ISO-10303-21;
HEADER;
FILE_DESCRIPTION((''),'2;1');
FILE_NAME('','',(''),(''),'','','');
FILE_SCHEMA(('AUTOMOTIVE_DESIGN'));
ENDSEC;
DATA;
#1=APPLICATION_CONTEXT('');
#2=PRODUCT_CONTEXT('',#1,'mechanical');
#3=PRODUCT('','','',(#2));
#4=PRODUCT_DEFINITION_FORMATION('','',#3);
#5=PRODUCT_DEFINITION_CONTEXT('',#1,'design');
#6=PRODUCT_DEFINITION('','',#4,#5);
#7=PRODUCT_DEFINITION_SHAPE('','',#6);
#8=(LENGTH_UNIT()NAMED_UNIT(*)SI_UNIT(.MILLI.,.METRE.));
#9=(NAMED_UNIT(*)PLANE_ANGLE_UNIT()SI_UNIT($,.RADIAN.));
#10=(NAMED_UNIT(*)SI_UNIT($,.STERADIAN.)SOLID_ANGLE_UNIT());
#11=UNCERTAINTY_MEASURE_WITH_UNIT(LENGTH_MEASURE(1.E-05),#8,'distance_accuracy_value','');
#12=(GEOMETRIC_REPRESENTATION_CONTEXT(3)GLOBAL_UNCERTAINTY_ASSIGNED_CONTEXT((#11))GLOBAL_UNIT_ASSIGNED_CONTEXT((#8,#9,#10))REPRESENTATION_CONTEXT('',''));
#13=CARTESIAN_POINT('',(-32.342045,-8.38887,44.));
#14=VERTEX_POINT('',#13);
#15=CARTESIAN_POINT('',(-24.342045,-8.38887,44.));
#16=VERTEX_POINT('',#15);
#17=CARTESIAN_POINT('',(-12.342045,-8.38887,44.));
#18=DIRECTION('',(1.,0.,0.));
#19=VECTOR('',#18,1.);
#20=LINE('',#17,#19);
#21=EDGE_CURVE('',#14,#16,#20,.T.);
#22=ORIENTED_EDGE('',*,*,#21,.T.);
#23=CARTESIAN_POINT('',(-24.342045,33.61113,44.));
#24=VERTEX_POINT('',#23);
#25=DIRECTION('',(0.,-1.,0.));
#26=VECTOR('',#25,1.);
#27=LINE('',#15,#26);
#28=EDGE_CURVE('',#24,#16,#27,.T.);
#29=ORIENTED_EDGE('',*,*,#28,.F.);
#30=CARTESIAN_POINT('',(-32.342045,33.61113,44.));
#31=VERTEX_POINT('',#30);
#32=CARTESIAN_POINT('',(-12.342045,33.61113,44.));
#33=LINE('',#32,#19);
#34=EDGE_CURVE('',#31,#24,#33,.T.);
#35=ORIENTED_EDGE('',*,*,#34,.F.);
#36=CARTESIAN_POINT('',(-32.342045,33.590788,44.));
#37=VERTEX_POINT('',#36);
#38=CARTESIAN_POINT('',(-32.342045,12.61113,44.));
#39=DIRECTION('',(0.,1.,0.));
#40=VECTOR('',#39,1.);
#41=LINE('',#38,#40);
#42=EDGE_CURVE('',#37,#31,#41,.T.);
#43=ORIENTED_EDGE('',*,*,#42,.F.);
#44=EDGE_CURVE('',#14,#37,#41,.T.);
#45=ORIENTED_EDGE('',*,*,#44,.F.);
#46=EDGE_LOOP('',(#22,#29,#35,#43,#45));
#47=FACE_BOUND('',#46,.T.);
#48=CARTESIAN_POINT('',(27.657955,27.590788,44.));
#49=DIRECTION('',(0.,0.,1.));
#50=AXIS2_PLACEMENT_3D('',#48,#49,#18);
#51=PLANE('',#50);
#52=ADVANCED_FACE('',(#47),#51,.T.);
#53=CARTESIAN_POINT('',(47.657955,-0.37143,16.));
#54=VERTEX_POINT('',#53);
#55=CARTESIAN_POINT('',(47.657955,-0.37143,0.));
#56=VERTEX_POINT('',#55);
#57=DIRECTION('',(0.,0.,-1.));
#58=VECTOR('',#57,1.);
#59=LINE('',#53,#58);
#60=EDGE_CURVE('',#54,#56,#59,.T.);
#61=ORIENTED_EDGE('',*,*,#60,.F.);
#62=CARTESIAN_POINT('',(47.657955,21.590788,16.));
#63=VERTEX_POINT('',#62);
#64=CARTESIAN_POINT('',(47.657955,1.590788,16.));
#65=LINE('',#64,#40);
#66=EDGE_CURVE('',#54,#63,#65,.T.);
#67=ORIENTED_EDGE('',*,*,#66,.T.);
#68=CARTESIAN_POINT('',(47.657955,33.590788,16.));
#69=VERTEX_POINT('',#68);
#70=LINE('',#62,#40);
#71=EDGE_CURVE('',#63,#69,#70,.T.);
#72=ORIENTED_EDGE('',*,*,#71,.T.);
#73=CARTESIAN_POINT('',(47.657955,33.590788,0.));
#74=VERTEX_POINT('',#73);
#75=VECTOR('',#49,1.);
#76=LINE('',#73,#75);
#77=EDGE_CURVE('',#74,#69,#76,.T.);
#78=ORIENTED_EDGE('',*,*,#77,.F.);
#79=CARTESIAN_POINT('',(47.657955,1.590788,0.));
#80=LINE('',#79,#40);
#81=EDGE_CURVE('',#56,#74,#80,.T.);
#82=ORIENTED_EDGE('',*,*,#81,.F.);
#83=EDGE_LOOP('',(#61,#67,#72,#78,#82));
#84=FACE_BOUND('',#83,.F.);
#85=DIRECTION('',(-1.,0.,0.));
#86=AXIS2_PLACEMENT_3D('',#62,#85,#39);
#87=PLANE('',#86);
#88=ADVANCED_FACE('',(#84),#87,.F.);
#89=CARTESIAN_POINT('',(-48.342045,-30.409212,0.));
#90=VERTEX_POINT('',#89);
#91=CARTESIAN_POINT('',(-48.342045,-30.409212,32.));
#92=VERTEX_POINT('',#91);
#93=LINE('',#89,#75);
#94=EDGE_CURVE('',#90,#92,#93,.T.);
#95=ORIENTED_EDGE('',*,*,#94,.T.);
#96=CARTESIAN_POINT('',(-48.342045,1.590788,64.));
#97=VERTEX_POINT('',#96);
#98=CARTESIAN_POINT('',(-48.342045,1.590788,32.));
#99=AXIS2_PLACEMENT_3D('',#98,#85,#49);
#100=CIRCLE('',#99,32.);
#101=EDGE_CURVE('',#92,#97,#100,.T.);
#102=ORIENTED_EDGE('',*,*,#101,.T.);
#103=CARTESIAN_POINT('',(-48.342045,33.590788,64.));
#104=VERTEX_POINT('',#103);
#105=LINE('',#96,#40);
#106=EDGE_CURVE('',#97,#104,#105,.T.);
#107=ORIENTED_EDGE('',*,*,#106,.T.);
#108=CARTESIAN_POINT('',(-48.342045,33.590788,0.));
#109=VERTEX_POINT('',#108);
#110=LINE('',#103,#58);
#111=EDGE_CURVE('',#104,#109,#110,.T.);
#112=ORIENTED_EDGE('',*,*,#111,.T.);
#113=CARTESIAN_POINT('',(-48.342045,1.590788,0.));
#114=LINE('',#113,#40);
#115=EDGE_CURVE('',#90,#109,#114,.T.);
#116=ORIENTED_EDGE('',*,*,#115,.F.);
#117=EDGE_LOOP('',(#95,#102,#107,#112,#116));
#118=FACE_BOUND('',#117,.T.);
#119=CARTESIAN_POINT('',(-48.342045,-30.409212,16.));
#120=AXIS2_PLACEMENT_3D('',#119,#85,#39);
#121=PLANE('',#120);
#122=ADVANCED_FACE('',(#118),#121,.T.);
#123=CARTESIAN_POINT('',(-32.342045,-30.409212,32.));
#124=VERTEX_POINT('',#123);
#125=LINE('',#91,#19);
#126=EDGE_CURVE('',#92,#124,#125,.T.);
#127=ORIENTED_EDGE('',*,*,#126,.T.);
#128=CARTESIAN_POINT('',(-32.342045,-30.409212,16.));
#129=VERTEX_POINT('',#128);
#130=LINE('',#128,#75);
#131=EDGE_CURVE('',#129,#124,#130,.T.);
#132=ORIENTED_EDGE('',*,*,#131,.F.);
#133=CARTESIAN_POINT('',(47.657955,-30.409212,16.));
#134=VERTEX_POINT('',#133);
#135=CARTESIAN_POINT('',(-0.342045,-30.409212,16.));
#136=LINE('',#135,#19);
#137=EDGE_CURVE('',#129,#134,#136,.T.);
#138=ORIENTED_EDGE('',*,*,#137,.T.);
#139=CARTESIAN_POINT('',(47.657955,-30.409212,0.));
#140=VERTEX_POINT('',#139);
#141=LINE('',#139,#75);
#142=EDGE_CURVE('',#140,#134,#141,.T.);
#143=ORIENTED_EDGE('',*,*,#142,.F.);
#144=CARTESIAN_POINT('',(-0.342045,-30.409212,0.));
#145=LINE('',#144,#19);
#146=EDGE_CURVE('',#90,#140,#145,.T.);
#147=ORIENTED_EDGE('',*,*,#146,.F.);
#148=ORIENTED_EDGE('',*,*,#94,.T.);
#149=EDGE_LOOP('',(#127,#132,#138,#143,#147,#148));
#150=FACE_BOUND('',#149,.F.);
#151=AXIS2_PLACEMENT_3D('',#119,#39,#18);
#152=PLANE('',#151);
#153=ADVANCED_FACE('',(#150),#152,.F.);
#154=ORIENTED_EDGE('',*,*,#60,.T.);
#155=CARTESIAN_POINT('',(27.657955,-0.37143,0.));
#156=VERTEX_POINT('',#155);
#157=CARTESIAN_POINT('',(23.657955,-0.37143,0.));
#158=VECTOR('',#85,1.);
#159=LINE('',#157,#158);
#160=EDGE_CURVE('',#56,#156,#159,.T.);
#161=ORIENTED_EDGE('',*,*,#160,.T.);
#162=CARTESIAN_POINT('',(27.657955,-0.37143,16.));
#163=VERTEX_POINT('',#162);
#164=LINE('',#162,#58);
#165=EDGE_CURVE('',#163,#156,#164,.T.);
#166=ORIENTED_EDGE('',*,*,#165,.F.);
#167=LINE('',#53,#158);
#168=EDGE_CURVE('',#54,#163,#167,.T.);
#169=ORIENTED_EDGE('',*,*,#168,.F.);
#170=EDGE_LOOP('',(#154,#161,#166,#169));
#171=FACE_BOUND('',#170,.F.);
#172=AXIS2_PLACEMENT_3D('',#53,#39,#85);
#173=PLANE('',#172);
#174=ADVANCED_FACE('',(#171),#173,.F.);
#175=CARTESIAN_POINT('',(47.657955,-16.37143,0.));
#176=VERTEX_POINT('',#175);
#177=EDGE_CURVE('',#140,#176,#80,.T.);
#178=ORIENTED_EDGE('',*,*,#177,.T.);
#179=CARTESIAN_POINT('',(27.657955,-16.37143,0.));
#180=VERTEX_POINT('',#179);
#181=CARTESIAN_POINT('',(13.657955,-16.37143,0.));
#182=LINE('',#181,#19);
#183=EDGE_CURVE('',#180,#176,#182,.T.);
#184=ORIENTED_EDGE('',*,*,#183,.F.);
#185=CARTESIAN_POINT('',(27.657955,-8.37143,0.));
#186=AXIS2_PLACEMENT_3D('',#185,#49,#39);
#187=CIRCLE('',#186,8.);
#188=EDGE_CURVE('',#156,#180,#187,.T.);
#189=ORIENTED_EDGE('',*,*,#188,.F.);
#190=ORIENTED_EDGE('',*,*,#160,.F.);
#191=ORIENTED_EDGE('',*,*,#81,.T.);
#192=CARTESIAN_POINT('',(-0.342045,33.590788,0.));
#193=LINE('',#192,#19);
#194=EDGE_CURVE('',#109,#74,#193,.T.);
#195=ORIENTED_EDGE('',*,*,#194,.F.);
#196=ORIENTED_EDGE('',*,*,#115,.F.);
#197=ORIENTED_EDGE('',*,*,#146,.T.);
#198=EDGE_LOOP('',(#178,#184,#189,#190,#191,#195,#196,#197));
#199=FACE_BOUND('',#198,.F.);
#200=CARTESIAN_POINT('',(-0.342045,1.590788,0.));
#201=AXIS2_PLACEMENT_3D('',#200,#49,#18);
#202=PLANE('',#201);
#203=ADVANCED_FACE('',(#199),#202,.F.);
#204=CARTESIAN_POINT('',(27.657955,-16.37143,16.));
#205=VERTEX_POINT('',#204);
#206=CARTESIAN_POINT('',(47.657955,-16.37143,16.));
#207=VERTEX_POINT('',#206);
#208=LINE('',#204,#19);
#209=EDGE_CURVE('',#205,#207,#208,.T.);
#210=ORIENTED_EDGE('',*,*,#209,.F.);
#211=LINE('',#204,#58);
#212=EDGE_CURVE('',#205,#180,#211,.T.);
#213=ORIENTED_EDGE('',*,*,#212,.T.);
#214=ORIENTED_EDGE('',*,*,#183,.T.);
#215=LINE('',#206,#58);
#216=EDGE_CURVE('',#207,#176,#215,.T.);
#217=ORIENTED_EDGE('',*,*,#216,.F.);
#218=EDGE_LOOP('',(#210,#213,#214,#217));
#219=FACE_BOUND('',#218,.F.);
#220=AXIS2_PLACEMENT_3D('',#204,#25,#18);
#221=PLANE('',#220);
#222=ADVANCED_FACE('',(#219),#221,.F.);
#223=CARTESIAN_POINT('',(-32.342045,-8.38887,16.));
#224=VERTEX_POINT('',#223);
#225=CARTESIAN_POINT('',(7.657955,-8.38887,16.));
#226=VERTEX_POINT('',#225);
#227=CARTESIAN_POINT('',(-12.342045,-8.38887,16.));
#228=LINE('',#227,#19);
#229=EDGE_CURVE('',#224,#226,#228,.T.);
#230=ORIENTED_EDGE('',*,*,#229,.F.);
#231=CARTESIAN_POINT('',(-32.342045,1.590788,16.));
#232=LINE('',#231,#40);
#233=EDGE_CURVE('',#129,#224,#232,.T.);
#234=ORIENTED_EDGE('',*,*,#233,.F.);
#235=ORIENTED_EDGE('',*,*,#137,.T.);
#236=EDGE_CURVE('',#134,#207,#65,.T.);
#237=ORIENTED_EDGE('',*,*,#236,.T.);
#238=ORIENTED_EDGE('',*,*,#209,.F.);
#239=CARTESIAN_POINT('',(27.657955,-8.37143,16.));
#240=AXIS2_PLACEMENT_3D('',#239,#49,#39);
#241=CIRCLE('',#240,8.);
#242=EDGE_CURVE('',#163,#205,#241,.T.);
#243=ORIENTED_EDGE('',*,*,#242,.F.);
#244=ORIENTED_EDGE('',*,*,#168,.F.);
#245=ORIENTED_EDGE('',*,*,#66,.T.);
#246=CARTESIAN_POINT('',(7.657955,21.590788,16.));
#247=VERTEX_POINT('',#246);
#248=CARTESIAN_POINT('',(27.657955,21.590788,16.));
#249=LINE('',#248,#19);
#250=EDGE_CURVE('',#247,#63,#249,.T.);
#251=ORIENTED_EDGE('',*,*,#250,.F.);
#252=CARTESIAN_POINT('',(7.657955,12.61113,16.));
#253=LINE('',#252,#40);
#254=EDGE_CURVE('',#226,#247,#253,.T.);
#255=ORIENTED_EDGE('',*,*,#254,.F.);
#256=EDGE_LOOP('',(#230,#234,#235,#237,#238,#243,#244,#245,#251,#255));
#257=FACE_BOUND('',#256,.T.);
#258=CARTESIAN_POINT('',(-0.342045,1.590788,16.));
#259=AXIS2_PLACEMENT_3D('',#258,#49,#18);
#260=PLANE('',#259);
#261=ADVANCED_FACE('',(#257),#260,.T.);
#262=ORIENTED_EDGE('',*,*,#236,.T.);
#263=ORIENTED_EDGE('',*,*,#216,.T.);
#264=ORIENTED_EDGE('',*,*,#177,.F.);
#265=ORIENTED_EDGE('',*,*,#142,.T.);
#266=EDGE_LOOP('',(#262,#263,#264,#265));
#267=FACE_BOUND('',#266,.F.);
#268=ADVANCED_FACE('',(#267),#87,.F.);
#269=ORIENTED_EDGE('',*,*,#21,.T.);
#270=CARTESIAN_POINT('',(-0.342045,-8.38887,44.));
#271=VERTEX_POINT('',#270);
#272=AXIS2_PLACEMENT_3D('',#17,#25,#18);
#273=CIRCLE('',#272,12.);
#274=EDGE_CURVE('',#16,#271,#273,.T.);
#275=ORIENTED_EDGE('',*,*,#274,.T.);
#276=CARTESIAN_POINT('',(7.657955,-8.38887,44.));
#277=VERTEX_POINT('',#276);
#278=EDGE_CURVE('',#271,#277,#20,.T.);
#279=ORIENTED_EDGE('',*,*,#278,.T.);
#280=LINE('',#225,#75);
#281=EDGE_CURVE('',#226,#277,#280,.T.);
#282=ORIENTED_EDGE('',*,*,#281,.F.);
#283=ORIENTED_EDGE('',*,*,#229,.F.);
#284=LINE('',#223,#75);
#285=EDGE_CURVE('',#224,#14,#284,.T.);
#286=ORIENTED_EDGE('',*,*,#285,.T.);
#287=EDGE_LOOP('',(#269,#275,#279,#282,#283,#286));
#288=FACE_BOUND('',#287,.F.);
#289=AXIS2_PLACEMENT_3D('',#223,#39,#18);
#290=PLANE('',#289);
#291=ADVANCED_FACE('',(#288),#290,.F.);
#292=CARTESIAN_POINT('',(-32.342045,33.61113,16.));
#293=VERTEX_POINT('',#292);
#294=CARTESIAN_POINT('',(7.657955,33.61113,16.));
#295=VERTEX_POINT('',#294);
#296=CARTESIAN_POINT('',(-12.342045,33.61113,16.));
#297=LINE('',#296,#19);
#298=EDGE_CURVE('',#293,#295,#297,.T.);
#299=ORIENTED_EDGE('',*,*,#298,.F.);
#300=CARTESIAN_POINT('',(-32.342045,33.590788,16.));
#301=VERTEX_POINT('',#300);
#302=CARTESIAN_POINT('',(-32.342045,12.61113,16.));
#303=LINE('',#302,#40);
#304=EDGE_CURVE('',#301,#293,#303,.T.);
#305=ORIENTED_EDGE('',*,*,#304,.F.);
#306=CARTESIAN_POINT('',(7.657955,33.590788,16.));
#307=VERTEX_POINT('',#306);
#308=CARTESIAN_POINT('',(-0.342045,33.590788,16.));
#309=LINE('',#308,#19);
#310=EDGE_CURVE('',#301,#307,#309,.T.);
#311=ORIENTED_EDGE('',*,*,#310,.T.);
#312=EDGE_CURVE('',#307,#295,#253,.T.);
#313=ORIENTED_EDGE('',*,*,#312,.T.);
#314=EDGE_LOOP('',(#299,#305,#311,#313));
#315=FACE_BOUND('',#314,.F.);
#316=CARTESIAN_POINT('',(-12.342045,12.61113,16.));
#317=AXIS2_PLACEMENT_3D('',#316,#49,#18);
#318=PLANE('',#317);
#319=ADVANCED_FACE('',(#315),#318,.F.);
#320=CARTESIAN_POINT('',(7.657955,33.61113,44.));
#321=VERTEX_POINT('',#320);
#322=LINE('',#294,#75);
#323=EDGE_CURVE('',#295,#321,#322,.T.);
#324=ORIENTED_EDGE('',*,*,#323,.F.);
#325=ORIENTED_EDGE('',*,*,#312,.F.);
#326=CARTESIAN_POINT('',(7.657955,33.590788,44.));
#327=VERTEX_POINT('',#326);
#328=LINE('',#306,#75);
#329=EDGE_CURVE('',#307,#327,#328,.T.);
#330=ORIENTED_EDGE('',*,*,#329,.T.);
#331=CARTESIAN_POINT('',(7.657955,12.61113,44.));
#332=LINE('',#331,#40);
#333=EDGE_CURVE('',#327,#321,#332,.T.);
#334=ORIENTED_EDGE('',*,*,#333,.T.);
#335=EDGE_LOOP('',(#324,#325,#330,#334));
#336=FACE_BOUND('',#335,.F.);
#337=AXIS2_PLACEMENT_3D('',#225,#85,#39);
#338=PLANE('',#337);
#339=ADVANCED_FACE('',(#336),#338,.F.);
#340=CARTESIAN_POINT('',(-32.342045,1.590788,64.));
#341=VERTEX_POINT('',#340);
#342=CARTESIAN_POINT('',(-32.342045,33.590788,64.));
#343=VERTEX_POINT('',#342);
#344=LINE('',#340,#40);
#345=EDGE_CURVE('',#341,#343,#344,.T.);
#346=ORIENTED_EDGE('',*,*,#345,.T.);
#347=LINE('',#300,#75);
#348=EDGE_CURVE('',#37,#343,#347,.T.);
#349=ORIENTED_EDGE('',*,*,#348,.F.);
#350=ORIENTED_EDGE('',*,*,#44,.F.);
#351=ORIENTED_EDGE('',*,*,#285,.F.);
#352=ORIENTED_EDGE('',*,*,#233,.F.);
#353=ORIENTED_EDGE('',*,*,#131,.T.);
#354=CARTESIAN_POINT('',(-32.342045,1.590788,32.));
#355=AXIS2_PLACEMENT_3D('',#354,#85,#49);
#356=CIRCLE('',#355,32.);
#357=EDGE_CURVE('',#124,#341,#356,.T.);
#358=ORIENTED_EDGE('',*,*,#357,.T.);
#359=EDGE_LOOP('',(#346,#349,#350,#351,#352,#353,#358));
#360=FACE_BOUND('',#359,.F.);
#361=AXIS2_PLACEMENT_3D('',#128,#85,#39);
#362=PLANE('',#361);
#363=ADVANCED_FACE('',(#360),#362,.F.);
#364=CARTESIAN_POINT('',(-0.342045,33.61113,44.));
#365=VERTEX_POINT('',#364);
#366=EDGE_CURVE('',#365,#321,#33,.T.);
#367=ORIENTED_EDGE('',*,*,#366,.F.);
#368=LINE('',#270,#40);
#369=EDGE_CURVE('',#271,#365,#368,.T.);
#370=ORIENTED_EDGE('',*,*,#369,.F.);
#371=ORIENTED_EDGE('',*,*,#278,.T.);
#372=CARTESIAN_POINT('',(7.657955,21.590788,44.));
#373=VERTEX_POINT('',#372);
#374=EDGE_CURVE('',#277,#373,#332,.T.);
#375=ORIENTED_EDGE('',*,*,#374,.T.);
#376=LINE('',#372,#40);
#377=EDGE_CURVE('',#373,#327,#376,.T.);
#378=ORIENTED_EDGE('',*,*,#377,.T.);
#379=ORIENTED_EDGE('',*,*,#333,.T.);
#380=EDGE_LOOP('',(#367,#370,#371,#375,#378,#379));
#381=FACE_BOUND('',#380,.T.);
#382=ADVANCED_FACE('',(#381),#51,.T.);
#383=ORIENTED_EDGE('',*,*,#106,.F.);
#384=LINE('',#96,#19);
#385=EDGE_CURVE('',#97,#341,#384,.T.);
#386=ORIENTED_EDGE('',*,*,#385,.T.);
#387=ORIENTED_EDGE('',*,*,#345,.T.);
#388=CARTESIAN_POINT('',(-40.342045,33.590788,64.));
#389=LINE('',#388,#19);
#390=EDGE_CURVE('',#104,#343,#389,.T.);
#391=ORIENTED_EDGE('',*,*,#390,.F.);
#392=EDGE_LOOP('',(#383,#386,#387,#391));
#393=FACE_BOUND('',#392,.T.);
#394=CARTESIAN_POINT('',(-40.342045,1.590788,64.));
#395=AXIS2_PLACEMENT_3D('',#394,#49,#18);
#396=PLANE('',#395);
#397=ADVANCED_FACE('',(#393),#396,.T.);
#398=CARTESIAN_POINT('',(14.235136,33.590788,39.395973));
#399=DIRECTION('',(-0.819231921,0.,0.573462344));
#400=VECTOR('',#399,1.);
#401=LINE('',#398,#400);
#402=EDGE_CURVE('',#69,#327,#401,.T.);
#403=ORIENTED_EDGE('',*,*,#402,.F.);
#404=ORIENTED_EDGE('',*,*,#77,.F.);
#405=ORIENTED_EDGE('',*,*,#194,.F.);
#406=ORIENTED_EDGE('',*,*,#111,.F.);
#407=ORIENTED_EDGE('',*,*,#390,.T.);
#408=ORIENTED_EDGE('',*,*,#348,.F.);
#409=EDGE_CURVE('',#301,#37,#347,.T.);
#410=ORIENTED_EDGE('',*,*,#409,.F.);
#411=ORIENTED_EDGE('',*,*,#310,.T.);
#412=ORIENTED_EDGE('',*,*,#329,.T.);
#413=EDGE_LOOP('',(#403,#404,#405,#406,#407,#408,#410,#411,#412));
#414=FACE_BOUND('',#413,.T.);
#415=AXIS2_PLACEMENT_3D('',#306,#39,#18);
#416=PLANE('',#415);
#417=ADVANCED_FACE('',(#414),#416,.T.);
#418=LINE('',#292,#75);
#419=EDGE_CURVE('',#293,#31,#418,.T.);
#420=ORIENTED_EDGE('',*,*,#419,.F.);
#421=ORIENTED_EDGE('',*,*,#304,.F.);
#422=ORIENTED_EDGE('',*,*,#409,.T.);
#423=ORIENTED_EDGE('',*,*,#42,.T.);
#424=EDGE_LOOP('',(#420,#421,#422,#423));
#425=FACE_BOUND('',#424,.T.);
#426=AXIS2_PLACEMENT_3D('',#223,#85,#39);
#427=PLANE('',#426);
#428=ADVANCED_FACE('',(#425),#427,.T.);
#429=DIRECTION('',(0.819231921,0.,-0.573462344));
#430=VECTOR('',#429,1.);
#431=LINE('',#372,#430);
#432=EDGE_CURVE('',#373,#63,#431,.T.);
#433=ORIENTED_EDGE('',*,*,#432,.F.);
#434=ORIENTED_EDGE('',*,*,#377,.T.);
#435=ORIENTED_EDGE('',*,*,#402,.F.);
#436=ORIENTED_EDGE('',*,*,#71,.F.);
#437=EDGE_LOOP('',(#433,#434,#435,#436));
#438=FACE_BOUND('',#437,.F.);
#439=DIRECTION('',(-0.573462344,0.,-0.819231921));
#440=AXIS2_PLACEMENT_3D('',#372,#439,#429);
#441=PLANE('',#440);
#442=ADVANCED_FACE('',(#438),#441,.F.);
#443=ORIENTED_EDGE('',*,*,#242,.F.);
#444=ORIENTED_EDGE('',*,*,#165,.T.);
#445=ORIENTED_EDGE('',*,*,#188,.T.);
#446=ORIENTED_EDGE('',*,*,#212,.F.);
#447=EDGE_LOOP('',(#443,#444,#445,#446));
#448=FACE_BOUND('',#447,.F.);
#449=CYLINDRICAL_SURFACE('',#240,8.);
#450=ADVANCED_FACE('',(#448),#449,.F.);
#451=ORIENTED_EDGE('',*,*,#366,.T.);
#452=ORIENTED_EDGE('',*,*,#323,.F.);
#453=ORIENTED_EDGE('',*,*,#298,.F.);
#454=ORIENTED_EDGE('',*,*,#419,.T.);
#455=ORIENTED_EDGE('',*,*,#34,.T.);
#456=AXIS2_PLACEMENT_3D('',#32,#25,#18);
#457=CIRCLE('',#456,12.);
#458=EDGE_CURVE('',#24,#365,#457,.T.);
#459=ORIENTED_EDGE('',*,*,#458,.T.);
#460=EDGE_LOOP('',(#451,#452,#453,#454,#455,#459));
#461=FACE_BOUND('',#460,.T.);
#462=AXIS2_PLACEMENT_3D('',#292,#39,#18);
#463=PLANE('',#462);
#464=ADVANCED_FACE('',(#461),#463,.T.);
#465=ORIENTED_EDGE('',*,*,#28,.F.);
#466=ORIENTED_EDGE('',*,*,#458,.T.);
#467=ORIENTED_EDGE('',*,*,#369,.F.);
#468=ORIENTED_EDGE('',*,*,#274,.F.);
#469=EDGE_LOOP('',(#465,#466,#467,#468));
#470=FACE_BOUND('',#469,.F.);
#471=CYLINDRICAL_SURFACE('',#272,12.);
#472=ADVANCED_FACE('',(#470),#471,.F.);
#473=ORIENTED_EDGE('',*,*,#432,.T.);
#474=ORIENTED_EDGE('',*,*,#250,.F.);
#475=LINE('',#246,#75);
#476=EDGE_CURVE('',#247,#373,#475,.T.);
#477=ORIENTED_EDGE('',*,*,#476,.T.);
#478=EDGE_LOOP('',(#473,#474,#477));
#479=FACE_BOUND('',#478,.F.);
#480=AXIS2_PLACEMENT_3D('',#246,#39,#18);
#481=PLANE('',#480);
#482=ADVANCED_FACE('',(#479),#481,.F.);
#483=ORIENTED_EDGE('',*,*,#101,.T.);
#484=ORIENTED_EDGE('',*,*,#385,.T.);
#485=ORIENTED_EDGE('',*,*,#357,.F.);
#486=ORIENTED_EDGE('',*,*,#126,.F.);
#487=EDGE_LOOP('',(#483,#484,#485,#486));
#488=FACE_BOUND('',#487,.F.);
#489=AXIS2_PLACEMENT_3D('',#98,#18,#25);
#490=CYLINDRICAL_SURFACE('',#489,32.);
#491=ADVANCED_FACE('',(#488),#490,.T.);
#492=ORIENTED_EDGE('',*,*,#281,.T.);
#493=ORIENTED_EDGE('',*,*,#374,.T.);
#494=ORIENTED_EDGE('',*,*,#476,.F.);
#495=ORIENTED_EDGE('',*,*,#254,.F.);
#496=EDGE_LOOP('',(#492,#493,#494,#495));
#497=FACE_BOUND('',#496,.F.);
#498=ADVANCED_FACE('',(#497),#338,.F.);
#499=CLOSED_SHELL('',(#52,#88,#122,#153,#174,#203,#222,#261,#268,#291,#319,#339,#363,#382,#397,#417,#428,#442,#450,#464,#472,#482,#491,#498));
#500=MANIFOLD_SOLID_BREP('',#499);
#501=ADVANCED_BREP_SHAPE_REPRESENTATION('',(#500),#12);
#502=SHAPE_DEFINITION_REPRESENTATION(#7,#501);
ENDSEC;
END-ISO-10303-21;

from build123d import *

# Parameters (mm, degrees)
F0_W      = 96
F0_H      = 64
F1_DEPTH  = 16
F2_W      = 16
F2_H      = 64
F3_DEPTH  = 48
F4_R      = 32
F5_W      = 40
F5_H      = 42
F6_DEPTH  = 28
F7_W      = 40
F7_H      = 12
F8_DEPTH  = 28
F10_DEPTH = 25.4
F11_R     = 12
F12_DEPTH = 63.246
F14_DEPTH = 25.4


with BuildPart() as f1:
    # F0 (on Top) → F1 (new body)
    with BuildSketch(Plane.XY):
        with Locations((-0.3420451991, 1.5907883644)):
            Rectangle(F0_W, F0_H)
    extrude(amount=F1_DEPTH)

    # F2 (on face) → F3 (join)
    with BuildSketch(Plane.XY.offset(16)):
        with Locations((-40.3420451991, 1.5907883644)):
            Rectangle(F2_W, F2_H)
    extrude(amount=F3_DEPTH)

    # F4
    f4_edges = [f1.edges().sort_by_distance(p)[0] for p in [
        (-40.342045, -30.409212, 64),
    ]]
    fillet(f4_edges, radius=F4_R)

    # F5 (on face) → F6 (join)
    with BuildSketch(Plane.XY.offset(16)):
        with Locations((-12.3420451991, 12.61113044)):
            Rectangle(F5_W, F5_H)
    extrude(amount=F6_DEPTH)

    # F7 (on face) → F8 (join)
    with BuildSketch(Plane.XY.offset(16)):
        with Locations((27.6579548009, 27.5907883644)):
            Rectangle(F7_W, F7_H)
    extrude(amount=F8_DEPTH)

    # F9 (on face) → F10 (cut)
    with BuildSketch(Plane.XZ.offset(-21.5907883644)):
        Polygon((47.6579548009, 44), (7.6579548009, 44), (47.6579548009, 16), align=None)
    extrude(amount=-F10_DEPTH, mode=Mode.SUBTRACT)

    # F11 (on face) → F12 (cut)
    with BuildSketch(Plane.XZ.offset(8.38886956)):
        with Locations((-12.3420451991, 44)):
            Circle(F11_R)
    extrude(amount=-F12_DEPTH, mode=Mode.SUBTRACT)

    # F13 (on face) → F14 (cut)
    with BuildSketch(Plane.XY.offset(16)):
        with BuildLine():
            ThreePointArc((35.6579548009, -8.3714298824), (33.3148090504, -2.714575633), (27.6579548009, -0.3714298824))
            Line((27.6579548009, -0.3714298824), (27.6579548009, -16.3714298824))
            ThreePointArc((27.6579548009, -16.3714298824), (33.3148090504, -14.0282841319), (35.6579548009, -8.3714298824))
        make_face()
        with BuildLine():
            Line((47.6579548009, -0.3714298824), (27.6579548009, -0.3714298824))
            ThreePointArc((27.6579548009, -0.3714298824), (33.3148090504, -2.714575633), (35.6579548009, -8.3714298824))
            ThreePointArc((35.6579548009, -8.3714298824), (33.3148090504, -14.0282841319), (27.6579548009, -16.3714298824))
            Line((27.6579548009, -16.3714298824), (47.6579548009, -16.3714298824))
            Line((47.6579548009, -16.3714298824), (47.6579548009, -0.3714298824))
        make_face()
        with BuildLine():
            Line((27.6579548009, -16.3714298824), (27.6579548009, -0.3714298824))
            ThreePointArc((27.6579548009, -0.3714298824), (19.6579548009, -8.3714298824), (27.6579548009, -16.3714298824))
        make_face()
    extrude(amount=-F14_DEPTH, mode=Mode.SUBTRACT)


solid = f1.part
